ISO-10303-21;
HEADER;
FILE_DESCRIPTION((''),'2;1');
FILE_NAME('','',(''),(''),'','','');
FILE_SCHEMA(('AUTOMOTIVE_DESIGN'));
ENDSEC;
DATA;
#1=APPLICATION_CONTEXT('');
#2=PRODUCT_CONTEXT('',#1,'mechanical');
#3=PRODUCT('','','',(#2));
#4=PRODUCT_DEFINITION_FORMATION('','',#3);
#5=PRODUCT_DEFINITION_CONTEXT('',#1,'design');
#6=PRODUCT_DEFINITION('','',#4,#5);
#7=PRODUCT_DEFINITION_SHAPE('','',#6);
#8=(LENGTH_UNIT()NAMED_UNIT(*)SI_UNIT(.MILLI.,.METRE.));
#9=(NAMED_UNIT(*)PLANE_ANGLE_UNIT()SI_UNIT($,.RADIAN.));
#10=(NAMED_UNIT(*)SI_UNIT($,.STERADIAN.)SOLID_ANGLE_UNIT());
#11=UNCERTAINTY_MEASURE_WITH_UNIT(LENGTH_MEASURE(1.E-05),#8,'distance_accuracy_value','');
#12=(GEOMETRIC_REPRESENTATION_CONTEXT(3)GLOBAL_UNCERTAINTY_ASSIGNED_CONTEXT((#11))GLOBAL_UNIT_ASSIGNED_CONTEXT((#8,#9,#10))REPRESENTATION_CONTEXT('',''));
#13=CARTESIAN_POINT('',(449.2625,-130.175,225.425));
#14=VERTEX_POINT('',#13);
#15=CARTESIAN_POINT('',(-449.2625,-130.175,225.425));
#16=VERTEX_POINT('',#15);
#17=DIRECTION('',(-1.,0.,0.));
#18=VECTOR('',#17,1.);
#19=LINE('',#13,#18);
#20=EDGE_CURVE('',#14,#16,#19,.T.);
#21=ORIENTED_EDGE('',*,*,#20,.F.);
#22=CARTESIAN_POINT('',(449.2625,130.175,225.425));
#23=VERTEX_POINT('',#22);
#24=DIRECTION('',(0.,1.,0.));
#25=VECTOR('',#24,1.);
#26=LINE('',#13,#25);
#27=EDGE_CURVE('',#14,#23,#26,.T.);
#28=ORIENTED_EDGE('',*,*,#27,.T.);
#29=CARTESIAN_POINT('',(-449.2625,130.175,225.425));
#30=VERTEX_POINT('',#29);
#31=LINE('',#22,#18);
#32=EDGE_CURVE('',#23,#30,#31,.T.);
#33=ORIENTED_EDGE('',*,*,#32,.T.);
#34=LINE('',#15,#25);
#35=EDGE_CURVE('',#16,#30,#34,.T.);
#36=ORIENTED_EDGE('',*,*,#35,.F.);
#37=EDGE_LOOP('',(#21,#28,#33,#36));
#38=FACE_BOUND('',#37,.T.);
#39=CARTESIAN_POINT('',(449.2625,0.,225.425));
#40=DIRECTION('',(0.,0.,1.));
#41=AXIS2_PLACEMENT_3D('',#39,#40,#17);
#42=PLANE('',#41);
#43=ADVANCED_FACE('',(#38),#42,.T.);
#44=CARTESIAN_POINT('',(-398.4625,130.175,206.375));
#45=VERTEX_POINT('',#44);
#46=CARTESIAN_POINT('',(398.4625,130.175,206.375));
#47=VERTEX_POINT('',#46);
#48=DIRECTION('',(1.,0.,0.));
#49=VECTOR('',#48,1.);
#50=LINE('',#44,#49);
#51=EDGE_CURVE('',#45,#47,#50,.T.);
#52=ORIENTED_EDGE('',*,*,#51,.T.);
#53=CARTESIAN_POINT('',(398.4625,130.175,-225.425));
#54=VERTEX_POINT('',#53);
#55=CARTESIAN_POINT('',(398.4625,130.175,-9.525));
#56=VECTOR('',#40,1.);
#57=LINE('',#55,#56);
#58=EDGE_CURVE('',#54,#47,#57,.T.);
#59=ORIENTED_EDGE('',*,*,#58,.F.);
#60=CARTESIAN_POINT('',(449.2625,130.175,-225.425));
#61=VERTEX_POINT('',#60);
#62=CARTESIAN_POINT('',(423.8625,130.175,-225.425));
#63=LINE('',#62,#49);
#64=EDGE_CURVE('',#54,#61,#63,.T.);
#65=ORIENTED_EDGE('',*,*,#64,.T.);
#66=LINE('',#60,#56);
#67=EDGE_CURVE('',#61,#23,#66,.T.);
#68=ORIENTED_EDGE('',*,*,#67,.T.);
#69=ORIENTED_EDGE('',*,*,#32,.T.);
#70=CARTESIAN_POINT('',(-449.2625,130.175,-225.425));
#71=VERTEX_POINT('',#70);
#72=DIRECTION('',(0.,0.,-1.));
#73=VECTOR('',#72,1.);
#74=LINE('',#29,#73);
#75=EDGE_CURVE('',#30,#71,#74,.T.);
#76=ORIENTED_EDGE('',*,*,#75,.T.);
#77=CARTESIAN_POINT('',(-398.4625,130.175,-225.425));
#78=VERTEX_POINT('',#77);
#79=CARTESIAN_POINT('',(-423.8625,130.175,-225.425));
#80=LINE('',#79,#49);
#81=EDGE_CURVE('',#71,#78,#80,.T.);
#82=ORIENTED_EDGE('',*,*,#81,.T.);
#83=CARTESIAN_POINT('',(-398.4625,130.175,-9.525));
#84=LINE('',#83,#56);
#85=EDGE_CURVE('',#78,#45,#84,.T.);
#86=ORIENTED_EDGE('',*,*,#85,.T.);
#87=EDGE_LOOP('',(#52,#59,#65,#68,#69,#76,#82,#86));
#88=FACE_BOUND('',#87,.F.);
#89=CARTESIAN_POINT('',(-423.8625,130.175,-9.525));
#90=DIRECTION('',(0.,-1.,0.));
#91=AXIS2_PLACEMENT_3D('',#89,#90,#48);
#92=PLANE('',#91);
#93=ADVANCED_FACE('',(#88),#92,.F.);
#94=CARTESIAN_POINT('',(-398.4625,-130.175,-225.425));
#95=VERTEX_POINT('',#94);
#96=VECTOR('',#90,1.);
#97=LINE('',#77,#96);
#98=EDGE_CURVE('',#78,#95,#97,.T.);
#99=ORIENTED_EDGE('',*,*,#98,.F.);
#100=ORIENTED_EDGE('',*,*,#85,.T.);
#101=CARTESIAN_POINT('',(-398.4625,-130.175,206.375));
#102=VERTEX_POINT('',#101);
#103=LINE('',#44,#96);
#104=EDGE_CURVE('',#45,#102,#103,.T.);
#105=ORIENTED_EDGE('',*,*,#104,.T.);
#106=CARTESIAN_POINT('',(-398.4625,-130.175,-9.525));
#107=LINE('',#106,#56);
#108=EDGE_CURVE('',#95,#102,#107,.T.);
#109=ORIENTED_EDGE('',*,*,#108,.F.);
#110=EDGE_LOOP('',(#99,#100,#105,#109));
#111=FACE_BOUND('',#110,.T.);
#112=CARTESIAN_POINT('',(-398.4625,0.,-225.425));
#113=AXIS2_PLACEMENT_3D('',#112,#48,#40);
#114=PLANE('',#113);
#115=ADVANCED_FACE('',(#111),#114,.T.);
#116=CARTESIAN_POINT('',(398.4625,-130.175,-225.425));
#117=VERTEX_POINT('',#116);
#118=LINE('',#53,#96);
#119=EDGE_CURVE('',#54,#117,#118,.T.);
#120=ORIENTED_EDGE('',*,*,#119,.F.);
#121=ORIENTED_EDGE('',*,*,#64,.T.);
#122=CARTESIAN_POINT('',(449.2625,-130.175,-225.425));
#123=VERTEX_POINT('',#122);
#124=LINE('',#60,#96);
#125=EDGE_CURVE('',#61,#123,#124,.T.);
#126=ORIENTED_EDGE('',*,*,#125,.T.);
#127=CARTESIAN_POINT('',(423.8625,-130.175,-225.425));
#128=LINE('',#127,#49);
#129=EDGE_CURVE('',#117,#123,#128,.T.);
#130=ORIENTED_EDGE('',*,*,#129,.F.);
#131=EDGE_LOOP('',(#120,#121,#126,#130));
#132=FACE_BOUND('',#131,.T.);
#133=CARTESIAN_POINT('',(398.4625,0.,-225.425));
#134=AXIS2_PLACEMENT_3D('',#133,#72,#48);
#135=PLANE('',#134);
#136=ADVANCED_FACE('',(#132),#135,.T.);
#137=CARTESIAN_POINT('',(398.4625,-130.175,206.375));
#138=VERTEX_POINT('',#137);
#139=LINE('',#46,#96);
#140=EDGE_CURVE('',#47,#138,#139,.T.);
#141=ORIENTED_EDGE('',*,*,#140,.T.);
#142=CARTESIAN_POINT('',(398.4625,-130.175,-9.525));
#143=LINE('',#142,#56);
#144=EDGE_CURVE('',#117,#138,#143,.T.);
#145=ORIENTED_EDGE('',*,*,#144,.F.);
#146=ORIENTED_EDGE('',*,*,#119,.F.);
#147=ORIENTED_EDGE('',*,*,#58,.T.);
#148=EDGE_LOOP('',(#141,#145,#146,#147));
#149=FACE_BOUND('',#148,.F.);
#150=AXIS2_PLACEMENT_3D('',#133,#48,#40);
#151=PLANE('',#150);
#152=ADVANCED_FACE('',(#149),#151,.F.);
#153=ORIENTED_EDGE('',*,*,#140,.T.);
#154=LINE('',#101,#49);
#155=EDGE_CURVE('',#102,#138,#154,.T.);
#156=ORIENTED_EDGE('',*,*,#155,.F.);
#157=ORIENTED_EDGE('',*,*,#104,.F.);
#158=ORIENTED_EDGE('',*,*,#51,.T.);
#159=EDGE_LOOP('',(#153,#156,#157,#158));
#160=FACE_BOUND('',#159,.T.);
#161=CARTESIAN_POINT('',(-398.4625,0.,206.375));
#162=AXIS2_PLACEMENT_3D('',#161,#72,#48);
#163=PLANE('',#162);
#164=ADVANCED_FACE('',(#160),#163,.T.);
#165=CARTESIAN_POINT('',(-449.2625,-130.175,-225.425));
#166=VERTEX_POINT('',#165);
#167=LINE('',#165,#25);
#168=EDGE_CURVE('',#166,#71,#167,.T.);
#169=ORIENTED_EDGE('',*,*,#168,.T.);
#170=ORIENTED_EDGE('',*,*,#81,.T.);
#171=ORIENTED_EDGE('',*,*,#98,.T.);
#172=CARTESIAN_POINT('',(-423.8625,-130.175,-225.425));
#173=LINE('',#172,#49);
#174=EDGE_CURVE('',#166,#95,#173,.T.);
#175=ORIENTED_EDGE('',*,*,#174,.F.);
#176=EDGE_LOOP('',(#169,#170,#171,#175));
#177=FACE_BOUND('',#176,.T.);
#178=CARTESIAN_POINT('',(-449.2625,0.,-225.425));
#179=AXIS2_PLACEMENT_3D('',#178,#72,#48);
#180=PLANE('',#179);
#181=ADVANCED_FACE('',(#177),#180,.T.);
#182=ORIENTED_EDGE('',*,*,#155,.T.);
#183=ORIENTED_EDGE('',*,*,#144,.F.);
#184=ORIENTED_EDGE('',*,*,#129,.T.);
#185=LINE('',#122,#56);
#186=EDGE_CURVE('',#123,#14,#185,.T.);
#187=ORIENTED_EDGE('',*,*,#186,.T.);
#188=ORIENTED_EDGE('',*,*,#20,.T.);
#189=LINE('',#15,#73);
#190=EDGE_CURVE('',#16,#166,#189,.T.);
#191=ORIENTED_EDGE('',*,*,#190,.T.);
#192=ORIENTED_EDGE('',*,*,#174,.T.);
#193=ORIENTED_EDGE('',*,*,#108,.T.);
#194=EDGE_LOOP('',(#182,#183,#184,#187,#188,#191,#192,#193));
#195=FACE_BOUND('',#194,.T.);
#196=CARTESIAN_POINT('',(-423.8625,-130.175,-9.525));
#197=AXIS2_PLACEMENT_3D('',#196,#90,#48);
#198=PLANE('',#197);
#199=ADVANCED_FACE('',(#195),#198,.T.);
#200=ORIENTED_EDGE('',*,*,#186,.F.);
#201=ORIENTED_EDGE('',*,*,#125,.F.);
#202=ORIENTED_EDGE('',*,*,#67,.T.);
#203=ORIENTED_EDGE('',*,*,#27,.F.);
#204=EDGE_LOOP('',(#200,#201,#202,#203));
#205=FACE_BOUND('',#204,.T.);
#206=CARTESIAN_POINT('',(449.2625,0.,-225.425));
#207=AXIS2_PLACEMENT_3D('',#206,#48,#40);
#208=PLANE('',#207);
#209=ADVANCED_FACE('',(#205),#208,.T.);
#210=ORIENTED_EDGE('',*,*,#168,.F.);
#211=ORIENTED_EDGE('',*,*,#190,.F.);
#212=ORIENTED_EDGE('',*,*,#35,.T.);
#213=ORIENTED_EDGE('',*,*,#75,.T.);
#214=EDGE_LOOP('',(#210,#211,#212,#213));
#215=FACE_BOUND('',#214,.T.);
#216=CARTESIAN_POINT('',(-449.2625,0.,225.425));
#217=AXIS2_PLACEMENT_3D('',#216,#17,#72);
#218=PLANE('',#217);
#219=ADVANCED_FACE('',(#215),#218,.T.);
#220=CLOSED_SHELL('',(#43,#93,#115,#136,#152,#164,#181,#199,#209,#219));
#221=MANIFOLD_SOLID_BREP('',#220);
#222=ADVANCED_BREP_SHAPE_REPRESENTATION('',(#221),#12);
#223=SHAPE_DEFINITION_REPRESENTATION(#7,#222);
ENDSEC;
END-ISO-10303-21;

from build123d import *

# Parameters (mm, degrees)
F0_W     = 50.8
F0_H     = 431.8
F1_DEPTH = 130.175


with BuildPart() as f1:
    # F0 (on Front) → F1 (new body, symmetric)
    with BuildSketch(Plane.XZ):
        with Locations((-423.8625, -9.525)):
            Rectangle(F0_W, F0_H)
        Polygon((-449.2625, 225.425), (-449.2625, 206.375), (-398.4625, 206.375), (398.4625, 206.375), (449.2625, 206.375), (449.2625, 225.425), align=None)
        with Locations((423.8625, -9.525)):
            Rectangle(F0_W, F0_H)
    extrude(amount=F1_DEPTH, both=True)


solid = f1.part
